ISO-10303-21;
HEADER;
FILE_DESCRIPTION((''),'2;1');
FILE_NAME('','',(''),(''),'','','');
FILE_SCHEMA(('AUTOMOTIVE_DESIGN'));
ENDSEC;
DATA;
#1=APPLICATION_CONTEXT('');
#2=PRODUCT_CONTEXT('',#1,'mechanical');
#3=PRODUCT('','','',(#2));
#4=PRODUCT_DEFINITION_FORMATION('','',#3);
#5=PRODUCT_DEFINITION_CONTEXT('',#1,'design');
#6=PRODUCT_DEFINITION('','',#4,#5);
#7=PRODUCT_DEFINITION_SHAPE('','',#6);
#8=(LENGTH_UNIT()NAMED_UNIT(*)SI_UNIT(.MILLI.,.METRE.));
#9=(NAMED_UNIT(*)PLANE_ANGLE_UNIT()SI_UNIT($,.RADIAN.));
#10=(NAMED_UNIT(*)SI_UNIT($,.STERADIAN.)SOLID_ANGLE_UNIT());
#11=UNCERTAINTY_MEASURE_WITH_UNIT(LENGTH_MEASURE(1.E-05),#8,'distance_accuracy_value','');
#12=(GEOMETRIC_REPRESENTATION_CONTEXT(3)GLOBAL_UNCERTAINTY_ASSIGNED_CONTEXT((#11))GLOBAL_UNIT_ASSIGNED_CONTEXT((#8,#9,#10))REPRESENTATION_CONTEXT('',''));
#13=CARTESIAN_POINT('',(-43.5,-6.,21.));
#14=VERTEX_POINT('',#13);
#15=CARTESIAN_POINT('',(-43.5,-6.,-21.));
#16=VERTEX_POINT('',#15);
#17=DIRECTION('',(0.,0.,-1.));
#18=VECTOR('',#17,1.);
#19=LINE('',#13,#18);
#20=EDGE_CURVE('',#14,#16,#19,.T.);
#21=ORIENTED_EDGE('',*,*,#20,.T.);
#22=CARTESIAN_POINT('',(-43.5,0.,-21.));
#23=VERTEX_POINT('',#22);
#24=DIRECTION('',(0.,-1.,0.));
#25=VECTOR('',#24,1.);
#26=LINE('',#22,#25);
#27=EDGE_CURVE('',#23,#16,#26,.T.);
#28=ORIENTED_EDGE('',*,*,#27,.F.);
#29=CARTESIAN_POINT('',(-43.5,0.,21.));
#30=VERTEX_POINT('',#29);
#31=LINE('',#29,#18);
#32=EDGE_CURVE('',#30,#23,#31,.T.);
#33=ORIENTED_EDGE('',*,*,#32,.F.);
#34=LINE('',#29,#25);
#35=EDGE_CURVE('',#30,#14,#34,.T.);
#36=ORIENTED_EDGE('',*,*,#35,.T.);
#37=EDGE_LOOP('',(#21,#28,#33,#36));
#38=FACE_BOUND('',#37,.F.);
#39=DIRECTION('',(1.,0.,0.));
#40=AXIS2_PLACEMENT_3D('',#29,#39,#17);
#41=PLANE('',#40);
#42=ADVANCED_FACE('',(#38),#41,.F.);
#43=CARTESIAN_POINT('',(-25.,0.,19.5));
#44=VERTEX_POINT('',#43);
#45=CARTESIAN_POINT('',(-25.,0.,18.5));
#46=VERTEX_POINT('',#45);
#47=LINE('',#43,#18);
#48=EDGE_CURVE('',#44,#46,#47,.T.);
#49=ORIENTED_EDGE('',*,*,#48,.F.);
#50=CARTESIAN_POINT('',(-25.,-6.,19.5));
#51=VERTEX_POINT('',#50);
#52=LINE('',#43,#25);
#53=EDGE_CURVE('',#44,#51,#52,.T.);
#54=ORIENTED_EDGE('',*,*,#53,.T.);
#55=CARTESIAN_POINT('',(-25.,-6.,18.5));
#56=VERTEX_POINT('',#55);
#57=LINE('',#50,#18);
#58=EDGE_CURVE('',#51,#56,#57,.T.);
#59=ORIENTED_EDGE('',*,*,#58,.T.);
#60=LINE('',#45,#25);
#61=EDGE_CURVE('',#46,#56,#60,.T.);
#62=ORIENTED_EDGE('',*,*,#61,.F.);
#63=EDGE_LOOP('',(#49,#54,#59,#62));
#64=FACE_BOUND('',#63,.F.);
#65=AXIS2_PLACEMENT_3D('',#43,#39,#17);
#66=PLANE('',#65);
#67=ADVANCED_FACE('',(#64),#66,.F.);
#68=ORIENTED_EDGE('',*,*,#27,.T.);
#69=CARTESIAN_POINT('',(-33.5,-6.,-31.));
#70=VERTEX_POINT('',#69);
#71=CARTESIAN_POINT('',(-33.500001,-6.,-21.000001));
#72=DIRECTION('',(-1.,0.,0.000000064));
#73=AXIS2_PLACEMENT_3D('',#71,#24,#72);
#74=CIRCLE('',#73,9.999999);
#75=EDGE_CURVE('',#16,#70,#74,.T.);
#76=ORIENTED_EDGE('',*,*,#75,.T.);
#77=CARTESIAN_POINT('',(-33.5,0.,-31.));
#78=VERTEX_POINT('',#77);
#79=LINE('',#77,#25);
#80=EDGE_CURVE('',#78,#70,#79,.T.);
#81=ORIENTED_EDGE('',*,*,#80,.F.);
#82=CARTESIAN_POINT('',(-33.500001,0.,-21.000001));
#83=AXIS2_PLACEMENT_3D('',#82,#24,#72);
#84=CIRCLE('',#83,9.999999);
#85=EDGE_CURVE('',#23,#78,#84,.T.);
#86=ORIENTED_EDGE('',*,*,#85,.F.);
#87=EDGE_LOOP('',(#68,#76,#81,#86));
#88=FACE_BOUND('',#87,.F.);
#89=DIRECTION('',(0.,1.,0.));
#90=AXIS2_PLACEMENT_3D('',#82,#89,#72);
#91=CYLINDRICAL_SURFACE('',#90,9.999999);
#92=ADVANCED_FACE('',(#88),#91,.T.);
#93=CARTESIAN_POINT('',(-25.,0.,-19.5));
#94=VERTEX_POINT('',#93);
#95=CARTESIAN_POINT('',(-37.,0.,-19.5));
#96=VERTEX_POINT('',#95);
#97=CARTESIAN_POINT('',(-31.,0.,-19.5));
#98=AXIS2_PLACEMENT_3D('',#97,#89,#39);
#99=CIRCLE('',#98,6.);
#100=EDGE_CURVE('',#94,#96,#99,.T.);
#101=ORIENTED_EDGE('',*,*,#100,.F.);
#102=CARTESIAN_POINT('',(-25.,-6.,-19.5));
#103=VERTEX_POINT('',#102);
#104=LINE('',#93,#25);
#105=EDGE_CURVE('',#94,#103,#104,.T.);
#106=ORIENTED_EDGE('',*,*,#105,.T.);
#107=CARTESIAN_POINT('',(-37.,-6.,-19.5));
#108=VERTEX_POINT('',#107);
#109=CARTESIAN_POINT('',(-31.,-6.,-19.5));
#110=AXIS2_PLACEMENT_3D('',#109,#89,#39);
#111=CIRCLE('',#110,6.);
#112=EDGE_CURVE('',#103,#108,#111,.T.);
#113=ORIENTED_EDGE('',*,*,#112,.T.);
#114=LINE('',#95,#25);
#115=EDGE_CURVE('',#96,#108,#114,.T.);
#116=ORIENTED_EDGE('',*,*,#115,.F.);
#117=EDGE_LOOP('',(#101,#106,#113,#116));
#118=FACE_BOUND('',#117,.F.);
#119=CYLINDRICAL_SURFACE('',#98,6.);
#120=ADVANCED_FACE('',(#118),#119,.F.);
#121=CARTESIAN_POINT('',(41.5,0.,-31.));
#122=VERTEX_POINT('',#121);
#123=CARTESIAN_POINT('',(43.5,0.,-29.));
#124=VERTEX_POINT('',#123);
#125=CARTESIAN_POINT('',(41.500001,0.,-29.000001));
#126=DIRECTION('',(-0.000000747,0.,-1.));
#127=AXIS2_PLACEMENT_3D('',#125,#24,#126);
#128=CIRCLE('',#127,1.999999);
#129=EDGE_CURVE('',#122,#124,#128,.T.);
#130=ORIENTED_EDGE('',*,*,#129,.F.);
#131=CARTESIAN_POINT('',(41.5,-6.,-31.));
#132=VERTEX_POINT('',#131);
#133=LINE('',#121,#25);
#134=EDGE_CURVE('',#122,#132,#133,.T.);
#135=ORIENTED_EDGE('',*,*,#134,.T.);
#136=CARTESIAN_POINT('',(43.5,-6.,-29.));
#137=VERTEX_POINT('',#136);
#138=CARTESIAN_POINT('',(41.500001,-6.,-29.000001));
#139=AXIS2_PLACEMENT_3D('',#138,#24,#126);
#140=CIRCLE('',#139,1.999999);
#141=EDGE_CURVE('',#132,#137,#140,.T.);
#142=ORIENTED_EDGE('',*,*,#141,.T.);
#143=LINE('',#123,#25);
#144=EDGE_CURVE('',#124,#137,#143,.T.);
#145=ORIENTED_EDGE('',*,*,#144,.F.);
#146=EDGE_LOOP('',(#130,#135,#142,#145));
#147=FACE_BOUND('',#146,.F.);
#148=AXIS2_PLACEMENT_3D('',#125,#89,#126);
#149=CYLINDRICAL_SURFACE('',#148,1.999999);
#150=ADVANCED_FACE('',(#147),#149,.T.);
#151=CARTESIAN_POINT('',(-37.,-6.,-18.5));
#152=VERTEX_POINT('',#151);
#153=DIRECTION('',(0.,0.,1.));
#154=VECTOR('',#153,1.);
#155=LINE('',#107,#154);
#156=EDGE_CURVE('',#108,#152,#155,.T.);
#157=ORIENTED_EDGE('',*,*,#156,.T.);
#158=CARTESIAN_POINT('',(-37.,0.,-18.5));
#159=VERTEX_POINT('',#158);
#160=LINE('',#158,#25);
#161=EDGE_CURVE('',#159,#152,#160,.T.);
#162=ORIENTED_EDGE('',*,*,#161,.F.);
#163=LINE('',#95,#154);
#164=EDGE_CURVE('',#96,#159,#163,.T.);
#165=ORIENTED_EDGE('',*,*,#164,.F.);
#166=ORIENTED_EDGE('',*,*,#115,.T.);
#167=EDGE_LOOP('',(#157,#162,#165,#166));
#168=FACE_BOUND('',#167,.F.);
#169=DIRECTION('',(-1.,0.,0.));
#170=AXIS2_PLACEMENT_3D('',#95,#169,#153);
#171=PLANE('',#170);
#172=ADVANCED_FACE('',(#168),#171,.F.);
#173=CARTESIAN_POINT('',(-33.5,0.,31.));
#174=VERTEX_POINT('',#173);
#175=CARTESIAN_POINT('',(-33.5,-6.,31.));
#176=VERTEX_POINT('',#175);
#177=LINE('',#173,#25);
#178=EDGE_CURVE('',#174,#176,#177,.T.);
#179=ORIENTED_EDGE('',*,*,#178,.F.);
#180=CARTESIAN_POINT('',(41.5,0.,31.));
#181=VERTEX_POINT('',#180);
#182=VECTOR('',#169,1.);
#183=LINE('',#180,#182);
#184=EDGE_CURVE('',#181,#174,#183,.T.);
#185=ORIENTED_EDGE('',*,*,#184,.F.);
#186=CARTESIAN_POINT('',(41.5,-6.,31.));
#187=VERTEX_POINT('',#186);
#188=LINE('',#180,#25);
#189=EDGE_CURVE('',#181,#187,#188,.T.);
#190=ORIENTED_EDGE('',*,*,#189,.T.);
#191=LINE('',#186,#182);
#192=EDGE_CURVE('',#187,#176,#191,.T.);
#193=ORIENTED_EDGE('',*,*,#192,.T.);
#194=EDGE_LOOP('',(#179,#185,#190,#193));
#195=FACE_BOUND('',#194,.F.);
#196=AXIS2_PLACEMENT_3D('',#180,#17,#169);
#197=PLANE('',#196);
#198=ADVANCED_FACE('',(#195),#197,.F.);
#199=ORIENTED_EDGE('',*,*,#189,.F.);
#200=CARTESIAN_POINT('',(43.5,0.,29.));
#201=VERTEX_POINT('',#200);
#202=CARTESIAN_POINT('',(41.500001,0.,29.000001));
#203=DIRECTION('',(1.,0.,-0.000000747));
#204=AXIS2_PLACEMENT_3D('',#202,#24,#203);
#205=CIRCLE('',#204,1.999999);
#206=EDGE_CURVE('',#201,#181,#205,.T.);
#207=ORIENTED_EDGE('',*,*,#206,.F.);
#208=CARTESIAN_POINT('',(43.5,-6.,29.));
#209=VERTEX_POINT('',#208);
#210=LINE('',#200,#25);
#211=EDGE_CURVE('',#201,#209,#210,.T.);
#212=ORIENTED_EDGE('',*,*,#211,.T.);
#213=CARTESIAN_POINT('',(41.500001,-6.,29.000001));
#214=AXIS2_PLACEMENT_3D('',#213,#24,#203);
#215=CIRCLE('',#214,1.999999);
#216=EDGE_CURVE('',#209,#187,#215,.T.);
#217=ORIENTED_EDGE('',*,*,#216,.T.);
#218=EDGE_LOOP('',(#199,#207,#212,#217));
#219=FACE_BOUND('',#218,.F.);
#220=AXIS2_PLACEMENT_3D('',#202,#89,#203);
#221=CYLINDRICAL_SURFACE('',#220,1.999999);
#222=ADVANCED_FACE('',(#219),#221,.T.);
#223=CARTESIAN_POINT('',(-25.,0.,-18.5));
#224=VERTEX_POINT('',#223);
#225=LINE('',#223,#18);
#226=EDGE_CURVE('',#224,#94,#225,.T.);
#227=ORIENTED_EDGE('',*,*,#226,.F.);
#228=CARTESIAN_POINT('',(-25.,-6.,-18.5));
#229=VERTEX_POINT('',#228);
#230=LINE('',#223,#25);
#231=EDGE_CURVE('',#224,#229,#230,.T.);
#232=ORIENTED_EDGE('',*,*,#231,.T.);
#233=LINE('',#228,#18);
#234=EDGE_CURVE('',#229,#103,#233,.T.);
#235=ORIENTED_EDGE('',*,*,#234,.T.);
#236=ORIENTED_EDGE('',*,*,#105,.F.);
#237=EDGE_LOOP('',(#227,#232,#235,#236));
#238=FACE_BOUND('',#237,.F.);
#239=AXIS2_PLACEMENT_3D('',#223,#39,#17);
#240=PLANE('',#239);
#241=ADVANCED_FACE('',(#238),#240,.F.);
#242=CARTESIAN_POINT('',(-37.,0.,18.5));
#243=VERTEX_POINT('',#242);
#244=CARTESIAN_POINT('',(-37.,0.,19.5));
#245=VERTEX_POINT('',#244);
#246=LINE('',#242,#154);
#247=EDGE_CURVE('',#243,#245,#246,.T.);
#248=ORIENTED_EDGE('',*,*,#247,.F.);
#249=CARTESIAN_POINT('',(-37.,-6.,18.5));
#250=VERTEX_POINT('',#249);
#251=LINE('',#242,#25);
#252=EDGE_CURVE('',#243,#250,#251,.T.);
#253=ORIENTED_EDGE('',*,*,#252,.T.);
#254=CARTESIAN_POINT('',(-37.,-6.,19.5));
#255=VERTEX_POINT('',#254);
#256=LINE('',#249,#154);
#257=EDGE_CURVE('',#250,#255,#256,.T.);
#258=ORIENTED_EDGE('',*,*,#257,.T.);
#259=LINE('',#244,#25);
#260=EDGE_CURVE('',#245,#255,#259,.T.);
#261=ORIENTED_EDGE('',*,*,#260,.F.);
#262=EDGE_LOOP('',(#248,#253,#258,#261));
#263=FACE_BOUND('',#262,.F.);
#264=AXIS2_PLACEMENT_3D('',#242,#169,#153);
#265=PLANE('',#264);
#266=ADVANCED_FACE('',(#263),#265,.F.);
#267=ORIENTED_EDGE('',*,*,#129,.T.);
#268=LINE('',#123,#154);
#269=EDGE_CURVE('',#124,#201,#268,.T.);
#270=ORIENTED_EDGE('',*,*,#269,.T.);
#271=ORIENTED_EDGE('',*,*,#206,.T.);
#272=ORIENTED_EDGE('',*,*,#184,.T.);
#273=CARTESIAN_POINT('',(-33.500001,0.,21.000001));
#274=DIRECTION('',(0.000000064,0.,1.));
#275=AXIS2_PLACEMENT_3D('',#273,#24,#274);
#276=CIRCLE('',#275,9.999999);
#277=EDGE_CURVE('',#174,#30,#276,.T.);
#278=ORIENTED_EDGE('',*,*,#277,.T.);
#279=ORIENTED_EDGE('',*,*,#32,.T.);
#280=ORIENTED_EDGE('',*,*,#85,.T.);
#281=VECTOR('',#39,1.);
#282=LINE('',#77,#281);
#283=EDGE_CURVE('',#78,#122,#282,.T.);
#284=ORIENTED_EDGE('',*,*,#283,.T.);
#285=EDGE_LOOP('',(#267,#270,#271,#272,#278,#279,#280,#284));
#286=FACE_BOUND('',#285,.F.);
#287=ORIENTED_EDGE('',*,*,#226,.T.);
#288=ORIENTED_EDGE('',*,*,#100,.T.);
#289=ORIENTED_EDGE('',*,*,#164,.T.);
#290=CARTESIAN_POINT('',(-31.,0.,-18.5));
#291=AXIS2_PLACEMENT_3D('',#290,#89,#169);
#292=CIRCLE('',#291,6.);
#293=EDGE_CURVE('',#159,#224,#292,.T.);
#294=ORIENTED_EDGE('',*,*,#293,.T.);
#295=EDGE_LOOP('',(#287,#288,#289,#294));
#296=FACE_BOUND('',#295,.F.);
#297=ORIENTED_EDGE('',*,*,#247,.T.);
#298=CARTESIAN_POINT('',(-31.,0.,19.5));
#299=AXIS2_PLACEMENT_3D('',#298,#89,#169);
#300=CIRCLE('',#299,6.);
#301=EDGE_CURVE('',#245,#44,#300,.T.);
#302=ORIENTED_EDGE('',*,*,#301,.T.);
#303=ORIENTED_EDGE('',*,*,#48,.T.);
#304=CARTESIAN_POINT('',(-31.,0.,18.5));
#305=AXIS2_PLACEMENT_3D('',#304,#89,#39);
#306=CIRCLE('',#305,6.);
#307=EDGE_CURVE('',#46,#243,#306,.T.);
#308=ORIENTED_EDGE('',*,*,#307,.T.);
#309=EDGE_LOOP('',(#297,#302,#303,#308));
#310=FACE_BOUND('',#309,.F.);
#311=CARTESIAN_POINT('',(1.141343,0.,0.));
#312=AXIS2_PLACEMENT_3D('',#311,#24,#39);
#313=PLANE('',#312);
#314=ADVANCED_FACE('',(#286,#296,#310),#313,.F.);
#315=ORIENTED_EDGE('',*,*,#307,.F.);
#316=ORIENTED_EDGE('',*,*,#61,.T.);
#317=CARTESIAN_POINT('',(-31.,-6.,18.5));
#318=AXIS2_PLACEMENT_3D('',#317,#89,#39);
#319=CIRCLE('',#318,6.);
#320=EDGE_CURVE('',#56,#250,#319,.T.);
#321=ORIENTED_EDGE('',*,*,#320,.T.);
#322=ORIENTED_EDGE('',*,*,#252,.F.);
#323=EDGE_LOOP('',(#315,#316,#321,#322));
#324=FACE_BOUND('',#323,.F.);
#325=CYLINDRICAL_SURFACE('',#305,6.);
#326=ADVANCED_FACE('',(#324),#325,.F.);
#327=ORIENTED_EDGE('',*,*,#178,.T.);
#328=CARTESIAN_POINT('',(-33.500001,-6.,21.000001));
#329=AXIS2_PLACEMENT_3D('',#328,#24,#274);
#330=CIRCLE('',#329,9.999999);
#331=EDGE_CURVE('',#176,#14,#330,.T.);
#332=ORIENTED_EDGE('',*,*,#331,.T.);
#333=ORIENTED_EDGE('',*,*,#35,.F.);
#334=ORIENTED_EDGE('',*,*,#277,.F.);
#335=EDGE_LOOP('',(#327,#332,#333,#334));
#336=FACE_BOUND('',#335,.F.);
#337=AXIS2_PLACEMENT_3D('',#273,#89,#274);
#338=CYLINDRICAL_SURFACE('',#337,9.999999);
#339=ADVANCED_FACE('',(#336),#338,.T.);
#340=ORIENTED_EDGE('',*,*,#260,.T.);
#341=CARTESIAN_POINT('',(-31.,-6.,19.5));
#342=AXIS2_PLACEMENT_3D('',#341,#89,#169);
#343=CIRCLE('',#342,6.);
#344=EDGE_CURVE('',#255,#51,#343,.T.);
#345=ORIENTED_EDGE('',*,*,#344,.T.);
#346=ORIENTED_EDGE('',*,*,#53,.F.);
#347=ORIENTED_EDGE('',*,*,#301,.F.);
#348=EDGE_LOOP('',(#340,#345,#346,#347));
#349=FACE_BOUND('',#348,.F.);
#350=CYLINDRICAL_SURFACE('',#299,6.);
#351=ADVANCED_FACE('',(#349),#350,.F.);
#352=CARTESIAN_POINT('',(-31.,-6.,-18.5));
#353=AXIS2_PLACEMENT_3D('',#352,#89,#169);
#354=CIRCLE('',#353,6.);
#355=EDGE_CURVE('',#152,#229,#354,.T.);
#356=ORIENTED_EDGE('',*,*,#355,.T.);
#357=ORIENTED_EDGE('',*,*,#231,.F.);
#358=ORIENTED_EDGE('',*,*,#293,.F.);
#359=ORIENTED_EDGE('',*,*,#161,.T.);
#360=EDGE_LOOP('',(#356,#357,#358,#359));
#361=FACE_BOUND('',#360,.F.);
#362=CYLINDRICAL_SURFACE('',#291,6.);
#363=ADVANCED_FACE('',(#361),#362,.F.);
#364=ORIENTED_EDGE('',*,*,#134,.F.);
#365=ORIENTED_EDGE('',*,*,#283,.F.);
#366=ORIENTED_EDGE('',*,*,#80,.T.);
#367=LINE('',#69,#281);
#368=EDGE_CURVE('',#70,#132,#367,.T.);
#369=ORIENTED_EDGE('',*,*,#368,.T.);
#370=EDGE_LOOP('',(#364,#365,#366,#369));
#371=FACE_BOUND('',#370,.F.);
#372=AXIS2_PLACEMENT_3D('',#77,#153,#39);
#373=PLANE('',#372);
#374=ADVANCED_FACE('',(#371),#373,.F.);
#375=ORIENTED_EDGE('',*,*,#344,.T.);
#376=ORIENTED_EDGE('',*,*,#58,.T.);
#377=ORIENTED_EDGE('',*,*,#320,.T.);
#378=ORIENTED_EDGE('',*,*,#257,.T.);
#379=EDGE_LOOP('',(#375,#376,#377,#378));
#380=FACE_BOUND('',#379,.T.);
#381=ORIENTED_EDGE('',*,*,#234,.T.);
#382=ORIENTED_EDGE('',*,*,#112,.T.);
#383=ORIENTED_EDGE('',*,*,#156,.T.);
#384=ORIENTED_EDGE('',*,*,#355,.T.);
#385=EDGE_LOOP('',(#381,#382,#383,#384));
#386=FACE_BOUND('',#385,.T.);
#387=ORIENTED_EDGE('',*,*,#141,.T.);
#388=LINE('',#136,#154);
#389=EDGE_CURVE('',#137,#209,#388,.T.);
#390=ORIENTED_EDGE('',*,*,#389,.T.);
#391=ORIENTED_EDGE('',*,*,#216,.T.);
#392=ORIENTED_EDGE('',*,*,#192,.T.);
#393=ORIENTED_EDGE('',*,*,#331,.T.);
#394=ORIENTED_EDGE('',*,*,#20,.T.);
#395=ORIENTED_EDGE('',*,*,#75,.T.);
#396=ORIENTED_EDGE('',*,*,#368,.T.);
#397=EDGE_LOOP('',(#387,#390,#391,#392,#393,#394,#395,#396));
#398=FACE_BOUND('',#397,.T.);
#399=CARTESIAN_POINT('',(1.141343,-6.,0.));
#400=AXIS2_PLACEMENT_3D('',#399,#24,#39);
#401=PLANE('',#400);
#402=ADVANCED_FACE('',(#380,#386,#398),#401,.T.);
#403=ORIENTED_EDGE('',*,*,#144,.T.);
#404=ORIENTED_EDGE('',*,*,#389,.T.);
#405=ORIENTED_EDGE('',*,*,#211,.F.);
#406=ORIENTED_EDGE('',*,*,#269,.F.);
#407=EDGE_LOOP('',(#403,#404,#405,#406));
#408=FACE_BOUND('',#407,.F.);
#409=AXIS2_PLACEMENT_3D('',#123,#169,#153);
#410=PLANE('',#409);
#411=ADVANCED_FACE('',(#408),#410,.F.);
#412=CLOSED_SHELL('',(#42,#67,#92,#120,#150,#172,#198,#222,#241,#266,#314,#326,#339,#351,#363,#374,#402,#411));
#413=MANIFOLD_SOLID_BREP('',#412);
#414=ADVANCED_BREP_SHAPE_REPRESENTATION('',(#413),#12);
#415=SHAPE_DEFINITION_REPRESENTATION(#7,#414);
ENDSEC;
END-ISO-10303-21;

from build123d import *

# Parameters (mm, degrees)
F1_DEPTH = 6


with BuildPart() as f1:
    # F0 (on Front) → F1 (new body)
    with BuildSketch(Plane.XZ):
        with BuildLine():
            ThreePointArc((-43.5, -21), (-40.571068, -28.071068), (-33.5, -31))
            Line((-33.5, -31), (41.5, -31))
            ThreePointArc((41.5, -31), (42.914214, -30.414214), (43.5, -29))
            Line((43.5, -29), (43.5, 29))
            ThreePointArc((43.5, 29), (42.914214, 30.414214), (41.5, 31))
            Line((41.5, 31), (-33.5, 31))
            ThreePointArc((-33.5, 31), (-40.571068, 28.071068), (-43.5, 21))
            Line((-43.5, 21), (-43.5, -21))
        make_face()
        with BuildLine():
            ThreePointArc((-37, -18.5), (-31, -12.5), (-25, -18.5))
            Line((-25, -18.5), (-25, -19.5))
            ThreePointArc((-25, -19.5), (-31, -25.5), (-37, -19.5))
            Line((-37, -19.5), (-37, -18.5))
        make_face(mode=Mode.SUBTRACT)
        with BuildLine():
            ThreePointArc((-25, 18.5), (-31, 12.5), (-37, 18.5))
            Line((-37, 18.5), (-37, 19.5))
            ThreePointArc((-37, 19.5), (-31, 25.5), (-25, 19.5))
            Line((-25, 19.5), (-25, 18.5))
        make_face(mode=Mode.SUBTRACT)
    extrude(amount=F1_DEPTH)


solid = f1.part
